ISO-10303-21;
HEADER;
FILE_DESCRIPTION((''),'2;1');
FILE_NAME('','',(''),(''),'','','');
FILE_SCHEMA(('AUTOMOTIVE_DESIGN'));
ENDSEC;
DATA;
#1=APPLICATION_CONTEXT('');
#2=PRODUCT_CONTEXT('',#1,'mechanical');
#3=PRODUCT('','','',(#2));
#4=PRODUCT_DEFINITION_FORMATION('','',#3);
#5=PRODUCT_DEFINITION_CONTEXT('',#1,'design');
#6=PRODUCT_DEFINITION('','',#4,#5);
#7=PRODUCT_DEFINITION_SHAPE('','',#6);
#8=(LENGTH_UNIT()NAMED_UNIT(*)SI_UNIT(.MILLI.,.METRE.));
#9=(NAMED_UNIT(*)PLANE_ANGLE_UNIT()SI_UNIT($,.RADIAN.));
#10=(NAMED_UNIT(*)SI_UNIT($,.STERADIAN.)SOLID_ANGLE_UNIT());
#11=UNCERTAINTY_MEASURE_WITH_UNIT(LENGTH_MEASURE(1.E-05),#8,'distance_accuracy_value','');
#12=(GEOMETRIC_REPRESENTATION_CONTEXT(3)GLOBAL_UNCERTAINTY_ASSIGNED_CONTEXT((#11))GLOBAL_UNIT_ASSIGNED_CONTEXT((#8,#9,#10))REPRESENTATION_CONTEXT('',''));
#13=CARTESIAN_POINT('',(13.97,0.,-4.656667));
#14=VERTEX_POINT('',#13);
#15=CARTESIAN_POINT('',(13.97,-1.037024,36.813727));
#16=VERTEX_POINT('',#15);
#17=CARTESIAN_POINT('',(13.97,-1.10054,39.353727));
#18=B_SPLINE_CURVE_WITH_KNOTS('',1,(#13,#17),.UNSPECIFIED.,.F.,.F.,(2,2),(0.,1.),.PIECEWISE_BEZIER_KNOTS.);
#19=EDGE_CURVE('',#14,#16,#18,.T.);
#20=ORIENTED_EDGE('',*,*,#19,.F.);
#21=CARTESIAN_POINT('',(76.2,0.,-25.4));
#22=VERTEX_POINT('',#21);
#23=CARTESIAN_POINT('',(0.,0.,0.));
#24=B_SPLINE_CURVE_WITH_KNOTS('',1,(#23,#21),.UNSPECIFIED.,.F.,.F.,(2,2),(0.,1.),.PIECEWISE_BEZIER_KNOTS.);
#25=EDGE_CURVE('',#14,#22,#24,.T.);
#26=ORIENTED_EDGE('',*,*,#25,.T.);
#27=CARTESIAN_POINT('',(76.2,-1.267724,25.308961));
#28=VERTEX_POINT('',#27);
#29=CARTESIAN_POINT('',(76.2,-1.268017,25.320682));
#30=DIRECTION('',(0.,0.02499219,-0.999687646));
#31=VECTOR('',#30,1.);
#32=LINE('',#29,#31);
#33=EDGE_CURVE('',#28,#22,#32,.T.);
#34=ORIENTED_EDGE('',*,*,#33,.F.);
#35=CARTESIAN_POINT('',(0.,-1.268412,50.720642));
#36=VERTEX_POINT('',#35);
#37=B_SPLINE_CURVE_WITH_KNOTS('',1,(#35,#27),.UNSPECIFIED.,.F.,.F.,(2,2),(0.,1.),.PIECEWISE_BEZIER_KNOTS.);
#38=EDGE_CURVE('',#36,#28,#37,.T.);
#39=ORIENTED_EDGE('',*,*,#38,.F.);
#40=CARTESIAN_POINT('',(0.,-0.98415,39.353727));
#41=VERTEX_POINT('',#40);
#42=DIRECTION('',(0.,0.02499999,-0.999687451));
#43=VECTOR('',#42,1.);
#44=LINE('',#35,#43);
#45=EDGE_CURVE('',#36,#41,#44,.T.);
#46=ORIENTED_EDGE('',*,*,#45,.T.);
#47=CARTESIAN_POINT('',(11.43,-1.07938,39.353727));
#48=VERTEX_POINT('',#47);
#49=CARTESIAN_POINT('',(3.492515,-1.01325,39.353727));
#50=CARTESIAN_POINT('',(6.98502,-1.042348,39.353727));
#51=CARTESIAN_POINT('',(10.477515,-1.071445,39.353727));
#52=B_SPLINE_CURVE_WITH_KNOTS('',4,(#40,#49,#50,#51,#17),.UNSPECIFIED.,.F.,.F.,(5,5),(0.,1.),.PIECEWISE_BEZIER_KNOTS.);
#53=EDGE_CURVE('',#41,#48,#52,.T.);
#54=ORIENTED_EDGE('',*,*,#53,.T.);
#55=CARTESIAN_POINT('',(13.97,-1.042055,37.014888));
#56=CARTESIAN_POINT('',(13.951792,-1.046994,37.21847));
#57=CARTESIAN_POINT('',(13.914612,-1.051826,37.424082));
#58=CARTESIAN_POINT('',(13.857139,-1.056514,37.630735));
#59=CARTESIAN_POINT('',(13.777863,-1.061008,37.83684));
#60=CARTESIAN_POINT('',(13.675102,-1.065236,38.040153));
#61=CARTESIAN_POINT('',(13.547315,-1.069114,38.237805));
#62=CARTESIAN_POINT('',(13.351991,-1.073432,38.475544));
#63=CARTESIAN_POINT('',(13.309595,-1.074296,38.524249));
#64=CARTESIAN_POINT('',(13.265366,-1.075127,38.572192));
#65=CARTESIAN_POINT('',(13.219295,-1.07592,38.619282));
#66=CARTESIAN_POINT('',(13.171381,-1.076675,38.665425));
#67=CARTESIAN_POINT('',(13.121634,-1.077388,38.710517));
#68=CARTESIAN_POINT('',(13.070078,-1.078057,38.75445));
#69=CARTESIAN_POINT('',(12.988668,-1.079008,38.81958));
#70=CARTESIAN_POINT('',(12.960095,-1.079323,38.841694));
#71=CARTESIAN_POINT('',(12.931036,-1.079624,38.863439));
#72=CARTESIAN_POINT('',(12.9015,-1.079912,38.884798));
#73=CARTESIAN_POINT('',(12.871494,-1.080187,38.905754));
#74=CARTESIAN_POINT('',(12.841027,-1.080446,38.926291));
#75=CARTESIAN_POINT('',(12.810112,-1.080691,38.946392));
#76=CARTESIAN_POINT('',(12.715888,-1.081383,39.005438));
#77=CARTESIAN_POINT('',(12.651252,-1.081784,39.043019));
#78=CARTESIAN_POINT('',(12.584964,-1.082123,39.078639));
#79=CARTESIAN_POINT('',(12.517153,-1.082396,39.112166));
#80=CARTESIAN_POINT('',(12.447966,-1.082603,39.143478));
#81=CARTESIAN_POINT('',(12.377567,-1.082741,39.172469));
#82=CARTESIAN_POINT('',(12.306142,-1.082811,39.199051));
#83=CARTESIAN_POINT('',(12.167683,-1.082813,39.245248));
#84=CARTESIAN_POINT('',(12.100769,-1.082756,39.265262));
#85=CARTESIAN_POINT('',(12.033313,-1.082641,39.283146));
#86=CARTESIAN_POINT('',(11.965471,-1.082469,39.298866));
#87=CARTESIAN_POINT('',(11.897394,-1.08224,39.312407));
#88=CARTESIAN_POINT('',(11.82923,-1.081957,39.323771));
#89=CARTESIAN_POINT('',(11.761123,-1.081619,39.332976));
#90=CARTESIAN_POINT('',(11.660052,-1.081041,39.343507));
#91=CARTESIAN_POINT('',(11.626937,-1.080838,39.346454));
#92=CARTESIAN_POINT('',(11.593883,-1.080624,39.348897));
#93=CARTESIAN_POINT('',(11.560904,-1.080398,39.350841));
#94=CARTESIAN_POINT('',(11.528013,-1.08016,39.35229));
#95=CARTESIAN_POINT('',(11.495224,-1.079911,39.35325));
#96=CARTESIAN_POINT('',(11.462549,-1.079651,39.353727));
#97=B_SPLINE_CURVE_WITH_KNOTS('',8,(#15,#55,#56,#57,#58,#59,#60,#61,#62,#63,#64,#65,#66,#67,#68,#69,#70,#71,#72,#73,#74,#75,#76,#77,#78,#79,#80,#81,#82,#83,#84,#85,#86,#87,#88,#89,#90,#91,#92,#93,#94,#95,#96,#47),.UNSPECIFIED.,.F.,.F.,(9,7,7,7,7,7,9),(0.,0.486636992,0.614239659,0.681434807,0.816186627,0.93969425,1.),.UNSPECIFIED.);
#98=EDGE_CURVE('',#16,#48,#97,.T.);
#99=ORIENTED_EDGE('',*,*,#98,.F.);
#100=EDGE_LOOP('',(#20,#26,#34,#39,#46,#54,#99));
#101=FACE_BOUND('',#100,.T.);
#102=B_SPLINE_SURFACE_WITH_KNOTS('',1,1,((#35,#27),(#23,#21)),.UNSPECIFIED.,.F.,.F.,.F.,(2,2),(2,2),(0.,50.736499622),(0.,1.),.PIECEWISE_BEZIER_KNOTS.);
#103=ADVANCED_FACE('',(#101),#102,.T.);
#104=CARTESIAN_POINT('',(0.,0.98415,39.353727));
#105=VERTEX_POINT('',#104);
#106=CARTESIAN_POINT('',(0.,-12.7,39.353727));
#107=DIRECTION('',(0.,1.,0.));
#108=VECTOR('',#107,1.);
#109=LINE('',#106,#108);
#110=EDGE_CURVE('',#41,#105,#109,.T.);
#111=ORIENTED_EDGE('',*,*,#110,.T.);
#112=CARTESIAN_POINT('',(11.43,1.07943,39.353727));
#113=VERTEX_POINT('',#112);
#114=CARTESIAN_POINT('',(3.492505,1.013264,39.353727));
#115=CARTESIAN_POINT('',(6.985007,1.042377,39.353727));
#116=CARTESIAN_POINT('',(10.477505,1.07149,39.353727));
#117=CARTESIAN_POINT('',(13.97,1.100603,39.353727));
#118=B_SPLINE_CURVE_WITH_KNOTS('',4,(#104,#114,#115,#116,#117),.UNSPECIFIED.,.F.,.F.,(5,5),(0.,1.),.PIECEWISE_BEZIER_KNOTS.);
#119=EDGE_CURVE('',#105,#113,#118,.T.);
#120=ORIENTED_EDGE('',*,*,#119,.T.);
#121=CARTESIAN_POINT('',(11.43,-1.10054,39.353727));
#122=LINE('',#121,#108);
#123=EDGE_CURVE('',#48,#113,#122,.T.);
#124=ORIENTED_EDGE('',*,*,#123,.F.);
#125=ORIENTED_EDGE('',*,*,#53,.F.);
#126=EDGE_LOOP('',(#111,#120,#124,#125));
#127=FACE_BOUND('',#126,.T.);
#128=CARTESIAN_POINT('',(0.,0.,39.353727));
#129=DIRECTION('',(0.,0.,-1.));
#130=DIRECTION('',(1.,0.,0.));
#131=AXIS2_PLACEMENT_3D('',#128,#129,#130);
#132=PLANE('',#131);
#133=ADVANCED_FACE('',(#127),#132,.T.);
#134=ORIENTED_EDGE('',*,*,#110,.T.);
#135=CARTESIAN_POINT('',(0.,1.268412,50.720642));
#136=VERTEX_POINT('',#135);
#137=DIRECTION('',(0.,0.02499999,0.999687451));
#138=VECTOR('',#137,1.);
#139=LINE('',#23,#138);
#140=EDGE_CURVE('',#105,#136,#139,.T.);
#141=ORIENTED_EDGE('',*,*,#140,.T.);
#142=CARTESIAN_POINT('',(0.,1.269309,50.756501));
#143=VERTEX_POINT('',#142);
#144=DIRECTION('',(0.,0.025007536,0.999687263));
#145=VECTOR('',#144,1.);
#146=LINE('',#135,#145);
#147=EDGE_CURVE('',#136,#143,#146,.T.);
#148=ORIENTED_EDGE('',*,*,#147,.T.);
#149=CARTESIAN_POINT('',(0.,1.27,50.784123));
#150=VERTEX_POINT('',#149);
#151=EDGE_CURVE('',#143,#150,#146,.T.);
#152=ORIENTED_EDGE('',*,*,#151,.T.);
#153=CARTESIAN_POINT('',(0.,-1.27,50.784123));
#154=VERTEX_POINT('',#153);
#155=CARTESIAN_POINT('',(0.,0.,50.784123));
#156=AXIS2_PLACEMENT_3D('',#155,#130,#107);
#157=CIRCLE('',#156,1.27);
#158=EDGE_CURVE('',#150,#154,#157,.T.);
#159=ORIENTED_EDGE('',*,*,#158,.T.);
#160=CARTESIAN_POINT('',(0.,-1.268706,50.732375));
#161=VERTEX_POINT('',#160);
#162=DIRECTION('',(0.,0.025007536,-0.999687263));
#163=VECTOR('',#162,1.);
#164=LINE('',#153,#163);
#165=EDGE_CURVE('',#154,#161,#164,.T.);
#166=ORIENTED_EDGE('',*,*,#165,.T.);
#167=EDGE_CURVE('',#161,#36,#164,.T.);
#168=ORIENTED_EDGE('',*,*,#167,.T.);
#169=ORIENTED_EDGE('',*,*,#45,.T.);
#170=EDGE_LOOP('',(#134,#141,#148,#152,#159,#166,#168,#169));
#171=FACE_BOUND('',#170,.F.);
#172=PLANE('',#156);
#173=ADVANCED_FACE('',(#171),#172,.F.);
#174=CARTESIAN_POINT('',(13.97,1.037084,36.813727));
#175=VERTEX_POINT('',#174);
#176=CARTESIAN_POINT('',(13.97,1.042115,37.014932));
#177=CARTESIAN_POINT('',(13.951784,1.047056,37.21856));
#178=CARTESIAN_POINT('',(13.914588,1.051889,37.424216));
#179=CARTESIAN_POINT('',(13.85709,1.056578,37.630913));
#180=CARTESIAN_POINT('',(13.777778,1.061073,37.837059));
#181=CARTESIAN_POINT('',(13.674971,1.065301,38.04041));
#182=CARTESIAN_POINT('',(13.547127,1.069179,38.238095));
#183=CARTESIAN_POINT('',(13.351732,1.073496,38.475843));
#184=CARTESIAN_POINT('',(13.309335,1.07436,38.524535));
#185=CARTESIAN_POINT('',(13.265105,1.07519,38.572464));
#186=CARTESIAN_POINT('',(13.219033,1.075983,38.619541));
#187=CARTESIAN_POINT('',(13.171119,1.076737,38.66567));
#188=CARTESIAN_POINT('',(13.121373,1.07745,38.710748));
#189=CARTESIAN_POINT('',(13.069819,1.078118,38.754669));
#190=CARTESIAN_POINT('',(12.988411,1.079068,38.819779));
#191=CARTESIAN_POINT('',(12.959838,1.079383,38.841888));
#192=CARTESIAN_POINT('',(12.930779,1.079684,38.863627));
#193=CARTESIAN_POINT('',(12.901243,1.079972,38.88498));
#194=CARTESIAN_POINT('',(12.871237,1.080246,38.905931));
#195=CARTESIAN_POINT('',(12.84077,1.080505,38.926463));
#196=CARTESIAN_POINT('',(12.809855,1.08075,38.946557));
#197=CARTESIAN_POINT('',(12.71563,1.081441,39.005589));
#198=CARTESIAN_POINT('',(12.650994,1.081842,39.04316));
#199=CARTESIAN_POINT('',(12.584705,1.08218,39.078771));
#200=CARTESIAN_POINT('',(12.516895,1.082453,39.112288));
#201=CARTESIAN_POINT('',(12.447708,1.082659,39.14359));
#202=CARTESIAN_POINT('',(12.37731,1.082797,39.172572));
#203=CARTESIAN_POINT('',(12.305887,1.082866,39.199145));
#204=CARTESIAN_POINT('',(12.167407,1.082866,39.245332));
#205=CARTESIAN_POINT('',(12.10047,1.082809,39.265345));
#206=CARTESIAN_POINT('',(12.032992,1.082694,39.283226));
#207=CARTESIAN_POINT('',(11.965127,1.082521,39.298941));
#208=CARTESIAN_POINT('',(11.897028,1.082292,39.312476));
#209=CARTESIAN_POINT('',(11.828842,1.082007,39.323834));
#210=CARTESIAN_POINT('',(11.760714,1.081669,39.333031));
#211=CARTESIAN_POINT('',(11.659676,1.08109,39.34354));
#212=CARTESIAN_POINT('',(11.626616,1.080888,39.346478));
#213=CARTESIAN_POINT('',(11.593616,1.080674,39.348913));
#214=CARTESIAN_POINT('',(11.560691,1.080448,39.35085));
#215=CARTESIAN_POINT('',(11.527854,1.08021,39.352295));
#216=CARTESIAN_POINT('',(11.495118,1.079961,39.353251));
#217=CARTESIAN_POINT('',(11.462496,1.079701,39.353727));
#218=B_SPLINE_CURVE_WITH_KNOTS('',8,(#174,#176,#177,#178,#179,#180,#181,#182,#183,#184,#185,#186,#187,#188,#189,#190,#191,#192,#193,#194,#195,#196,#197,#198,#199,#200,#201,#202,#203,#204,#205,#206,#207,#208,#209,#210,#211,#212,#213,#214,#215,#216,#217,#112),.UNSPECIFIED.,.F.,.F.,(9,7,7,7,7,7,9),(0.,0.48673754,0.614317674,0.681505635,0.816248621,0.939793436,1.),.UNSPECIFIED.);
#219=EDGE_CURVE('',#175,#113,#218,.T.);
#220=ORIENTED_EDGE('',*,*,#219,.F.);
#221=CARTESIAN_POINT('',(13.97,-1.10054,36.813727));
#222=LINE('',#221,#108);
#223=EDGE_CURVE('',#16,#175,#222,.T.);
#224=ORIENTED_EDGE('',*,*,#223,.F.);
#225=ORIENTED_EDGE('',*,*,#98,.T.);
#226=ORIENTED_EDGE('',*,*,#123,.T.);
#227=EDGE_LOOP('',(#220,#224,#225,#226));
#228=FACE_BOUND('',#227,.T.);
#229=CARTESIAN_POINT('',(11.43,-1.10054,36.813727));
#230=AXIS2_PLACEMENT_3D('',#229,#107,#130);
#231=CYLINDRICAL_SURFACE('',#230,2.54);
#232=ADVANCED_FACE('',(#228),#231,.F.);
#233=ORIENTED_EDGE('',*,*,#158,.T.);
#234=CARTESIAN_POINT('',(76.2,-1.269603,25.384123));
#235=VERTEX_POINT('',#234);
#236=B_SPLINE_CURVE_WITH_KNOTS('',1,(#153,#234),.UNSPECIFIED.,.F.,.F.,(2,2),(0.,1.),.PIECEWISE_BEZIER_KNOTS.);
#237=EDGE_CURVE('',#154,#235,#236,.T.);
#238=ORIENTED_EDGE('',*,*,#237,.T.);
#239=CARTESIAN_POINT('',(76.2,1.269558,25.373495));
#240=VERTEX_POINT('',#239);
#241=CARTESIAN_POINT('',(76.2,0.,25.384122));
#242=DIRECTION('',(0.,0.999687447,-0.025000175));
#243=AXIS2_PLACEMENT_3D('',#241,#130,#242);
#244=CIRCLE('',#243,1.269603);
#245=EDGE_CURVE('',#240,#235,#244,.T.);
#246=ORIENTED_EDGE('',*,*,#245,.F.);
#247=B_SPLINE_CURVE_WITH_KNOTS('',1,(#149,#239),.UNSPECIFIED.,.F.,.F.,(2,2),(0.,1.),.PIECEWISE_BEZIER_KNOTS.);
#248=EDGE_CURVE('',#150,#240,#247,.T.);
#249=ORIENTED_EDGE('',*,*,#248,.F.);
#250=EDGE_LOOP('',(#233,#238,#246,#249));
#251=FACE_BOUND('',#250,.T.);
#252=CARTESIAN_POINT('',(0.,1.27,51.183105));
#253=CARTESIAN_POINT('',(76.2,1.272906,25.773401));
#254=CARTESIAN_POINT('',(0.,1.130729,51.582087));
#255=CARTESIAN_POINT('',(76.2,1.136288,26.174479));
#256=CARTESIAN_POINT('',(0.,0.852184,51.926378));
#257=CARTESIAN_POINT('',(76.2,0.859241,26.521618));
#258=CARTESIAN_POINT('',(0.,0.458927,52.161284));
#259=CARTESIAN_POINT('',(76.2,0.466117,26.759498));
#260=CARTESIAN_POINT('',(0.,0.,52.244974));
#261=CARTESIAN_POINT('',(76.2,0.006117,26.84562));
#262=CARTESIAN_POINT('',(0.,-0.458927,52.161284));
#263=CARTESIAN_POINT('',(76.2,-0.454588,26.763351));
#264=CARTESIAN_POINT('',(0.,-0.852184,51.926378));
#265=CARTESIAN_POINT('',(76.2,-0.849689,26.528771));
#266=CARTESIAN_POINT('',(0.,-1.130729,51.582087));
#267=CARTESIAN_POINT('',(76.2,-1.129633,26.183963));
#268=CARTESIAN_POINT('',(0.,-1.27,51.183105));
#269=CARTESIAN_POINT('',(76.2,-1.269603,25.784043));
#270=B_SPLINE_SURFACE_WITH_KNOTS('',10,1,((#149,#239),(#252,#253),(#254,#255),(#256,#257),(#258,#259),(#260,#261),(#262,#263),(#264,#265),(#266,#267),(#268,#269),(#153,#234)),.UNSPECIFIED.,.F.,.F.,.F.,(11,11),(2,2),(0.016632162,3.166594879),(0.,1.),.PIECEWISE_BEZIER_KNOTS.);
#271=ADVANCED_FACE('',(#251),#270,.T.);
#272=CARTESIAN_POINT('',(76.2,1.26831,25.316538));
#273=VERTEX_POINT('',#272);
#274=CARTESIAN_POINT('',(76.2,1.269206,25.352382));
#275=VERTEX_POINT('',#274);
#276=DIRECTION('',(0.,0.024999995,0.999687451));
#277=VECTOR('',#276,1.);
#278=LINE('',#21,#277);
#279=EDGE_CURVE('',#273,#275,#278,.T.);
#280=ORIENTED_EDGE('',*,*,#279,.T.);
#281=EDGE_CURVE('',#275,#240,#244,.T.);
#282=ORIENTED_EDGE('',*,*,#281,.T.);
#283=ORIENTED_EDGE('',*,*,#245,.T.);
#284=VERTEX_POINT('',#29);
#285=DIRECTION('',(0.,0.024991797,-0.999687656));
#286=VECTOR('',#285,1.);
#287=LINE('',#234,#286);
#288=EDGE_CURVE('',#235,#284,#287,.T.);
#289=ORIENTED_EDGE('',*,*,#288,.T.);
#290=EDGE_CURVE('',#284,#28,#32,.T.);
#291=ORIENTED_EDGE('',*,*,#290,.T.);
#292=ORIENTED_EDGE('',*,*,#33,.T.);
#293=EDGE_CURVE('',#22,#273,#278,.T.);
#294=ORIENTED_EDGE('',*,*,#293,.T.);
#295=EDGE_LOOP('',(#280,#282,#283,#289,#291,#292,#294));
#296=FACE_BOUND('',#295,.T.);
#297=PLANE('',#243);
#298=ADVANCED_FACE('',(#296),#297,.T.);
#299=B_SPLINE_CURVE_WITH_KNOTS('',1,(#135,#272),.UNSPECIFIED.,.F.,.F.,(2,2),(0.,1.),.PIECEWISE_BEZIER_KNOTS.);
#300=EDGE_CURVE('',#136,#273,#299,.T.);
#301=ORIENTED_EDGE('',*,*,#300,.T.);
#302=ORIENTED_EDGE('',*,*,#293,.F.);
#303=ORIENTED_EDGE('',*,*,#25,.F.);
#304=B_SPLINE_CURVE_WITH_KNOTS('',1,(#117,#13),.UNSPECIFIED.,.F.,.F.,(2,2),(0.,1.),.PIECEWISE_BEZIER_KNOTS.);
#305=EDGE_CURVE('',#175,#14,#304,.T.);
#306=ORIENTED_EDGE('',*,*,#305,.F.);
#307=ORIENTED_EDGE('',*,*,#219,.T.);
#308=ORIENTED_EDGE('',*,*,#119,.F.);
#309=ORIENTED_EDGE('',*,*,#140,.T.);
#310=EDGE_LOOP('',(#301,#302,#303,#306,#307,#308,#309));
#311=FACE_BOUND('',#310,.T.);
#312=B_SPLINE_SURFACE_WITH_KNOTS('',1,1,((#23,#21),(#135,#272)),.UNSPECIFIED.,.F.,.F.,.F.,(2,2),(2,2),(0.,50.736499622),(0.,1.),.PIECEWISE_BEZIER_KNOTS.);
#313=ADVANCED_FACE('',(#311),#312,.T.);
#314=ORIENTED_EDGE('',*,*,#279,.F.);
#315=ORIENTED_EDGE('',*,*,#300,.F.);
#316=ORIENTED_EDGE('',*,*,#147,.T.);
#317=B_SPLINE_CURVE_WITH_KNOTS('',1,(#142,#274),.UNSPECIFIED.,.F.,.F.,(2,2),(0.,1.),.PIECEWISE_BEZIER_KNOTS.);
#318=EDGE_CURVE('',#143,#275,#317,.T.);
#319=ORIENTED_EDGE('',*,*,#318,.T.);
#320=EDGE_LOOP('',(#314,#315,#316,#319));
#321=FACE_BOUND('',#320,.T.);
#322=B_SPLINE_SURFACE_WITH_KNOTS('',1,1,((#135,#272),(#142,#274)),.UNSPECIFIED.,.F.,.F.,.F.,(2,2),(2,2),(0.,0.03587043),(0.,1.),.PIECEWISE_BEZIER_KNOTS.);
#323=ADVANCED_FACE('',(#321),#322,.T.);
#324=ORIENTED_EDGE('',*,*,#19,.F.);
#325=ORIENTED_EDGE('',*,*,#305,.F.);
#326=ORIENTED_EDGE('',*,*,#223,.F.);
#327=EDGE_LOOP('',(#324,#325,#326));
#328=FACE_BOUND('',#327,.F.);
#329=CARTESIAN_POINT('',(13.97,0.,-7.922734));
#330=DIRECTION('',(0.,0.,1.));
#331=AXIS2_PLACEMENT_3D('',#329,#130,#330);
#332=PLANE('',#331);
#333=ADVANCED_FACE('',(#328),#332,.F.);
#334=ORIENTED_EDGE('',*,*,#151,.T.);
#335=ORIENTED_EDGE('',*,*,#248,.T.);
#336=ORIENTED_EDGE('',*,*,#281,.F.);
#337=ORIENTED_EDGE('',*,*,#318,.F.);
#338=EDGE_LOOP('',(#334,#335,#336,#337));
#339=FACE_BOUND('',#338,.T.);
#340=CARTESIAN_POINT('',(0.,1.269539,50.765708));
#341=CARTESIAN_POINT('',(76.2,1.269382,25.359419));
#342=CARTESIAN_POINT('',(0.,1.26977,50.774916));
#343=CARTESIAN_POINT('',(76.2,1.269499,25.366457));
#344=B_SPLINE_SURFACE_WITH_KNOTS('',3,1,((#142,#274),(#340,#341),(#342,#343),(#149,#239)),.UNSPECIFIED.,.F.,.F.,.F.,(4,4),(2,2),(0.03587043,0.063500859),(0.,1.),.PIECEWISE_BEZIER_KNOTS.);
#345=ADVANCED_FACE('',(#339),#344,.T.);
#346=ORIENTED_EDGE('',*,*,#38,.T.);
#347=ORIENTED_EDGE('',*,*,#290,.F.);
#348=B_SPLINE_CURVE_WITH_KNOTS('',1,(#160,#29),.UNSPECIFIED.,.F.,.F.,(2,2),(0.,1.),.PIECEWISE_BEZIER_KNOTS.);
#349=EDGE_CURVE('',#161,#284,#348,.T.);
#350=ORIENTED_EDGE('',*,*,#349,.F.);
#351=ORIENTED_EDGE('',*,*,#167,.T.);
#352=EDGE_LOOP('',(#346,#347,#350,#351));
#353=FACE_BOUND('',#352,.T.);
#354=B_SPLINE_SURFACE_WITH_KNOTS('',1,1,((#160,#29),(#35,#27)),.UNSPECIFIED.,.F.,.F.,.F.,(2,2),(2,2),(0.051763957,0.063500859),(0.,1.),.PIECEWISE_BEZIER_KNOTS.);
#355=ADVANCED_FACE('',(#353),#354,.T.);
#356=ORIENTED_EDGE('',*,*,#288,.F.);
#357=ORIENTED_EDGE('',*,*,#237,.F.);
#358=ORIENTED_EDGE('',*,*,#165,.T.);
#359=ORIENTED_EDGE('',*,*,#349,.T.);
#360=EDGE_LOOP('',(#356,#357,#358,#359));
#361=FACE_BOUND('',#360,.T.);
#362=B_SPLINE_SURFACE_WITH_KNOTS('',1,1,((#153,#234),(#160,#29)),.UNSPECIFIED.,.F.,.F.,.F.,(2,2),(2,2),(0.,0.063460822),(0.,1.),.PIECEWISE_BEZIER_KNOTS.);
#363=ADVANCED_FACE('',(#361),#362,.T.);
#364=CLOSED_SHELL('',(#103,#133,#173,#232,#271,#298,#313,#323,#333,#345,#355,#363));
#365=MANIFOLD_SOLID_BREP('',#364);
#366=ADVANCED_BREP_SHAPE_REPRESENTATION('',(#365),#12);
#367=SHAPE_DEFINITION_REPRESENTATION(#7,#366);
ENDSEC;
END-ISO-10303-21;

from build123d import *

# Parameters (mm, degrees)
F4_W     = 13.97
F4_H     = 47.276461
F5_DEPTH = 12.7
F6_R     = 2.54


with BuildPart() as f3:
    # F0 (on Right) → F3 section 0
    with BuildSketch(Plane.YZ):
        with BuildLine():
            Line((-1.268412, 50.720642), (0, 0))
            Line((0, 0), (1.268412, 50.720642))
            Line((1.268412, 50.720642), (1.27, 50.784123))
            ThreePointArc((1.27, 50.784123), (0, 52.054123), (-1.27, 50.784123))
            Line((-1.27, 50.784123), (-1.268412, 50.720642))
        make_face()
    # F2 (on offset) → F3 section 1
    with BuildSketch(Plane.YZ.offset(76.2)):
        with BuildLine():
            Line((-1.268017, 25.320682), (0, -25.4))
            Line((0, -25.4), (1.269206, 25.352382))
            ThreePointArc((1.269206, 25.352382), (0.015871, 26.653626), (-1.269603, 25.384123))
            Line((-1.269603, 25.384123), (-1.268017, 25.320682))
        make_face()
    loft()

    # F4 (on Front) → F5 (cut, symmetric)
    with BuildSketch(Plane.XZ):
        with Locations((6.985, 15.715496)):
            Rectangle(F4_W, F4_H)
    extrude(amount=F5_DEPTH, both=True, mode=Mode.SUBTRACT)

    # F6
    f6_edges = [f3.edges().sort_by_distance(p)[0] for p in [
        (13.97, 3.2e-05, 39.353726),
    ]]
    fillet(f6_edges, radius=F6_R)


solid = f3.part
